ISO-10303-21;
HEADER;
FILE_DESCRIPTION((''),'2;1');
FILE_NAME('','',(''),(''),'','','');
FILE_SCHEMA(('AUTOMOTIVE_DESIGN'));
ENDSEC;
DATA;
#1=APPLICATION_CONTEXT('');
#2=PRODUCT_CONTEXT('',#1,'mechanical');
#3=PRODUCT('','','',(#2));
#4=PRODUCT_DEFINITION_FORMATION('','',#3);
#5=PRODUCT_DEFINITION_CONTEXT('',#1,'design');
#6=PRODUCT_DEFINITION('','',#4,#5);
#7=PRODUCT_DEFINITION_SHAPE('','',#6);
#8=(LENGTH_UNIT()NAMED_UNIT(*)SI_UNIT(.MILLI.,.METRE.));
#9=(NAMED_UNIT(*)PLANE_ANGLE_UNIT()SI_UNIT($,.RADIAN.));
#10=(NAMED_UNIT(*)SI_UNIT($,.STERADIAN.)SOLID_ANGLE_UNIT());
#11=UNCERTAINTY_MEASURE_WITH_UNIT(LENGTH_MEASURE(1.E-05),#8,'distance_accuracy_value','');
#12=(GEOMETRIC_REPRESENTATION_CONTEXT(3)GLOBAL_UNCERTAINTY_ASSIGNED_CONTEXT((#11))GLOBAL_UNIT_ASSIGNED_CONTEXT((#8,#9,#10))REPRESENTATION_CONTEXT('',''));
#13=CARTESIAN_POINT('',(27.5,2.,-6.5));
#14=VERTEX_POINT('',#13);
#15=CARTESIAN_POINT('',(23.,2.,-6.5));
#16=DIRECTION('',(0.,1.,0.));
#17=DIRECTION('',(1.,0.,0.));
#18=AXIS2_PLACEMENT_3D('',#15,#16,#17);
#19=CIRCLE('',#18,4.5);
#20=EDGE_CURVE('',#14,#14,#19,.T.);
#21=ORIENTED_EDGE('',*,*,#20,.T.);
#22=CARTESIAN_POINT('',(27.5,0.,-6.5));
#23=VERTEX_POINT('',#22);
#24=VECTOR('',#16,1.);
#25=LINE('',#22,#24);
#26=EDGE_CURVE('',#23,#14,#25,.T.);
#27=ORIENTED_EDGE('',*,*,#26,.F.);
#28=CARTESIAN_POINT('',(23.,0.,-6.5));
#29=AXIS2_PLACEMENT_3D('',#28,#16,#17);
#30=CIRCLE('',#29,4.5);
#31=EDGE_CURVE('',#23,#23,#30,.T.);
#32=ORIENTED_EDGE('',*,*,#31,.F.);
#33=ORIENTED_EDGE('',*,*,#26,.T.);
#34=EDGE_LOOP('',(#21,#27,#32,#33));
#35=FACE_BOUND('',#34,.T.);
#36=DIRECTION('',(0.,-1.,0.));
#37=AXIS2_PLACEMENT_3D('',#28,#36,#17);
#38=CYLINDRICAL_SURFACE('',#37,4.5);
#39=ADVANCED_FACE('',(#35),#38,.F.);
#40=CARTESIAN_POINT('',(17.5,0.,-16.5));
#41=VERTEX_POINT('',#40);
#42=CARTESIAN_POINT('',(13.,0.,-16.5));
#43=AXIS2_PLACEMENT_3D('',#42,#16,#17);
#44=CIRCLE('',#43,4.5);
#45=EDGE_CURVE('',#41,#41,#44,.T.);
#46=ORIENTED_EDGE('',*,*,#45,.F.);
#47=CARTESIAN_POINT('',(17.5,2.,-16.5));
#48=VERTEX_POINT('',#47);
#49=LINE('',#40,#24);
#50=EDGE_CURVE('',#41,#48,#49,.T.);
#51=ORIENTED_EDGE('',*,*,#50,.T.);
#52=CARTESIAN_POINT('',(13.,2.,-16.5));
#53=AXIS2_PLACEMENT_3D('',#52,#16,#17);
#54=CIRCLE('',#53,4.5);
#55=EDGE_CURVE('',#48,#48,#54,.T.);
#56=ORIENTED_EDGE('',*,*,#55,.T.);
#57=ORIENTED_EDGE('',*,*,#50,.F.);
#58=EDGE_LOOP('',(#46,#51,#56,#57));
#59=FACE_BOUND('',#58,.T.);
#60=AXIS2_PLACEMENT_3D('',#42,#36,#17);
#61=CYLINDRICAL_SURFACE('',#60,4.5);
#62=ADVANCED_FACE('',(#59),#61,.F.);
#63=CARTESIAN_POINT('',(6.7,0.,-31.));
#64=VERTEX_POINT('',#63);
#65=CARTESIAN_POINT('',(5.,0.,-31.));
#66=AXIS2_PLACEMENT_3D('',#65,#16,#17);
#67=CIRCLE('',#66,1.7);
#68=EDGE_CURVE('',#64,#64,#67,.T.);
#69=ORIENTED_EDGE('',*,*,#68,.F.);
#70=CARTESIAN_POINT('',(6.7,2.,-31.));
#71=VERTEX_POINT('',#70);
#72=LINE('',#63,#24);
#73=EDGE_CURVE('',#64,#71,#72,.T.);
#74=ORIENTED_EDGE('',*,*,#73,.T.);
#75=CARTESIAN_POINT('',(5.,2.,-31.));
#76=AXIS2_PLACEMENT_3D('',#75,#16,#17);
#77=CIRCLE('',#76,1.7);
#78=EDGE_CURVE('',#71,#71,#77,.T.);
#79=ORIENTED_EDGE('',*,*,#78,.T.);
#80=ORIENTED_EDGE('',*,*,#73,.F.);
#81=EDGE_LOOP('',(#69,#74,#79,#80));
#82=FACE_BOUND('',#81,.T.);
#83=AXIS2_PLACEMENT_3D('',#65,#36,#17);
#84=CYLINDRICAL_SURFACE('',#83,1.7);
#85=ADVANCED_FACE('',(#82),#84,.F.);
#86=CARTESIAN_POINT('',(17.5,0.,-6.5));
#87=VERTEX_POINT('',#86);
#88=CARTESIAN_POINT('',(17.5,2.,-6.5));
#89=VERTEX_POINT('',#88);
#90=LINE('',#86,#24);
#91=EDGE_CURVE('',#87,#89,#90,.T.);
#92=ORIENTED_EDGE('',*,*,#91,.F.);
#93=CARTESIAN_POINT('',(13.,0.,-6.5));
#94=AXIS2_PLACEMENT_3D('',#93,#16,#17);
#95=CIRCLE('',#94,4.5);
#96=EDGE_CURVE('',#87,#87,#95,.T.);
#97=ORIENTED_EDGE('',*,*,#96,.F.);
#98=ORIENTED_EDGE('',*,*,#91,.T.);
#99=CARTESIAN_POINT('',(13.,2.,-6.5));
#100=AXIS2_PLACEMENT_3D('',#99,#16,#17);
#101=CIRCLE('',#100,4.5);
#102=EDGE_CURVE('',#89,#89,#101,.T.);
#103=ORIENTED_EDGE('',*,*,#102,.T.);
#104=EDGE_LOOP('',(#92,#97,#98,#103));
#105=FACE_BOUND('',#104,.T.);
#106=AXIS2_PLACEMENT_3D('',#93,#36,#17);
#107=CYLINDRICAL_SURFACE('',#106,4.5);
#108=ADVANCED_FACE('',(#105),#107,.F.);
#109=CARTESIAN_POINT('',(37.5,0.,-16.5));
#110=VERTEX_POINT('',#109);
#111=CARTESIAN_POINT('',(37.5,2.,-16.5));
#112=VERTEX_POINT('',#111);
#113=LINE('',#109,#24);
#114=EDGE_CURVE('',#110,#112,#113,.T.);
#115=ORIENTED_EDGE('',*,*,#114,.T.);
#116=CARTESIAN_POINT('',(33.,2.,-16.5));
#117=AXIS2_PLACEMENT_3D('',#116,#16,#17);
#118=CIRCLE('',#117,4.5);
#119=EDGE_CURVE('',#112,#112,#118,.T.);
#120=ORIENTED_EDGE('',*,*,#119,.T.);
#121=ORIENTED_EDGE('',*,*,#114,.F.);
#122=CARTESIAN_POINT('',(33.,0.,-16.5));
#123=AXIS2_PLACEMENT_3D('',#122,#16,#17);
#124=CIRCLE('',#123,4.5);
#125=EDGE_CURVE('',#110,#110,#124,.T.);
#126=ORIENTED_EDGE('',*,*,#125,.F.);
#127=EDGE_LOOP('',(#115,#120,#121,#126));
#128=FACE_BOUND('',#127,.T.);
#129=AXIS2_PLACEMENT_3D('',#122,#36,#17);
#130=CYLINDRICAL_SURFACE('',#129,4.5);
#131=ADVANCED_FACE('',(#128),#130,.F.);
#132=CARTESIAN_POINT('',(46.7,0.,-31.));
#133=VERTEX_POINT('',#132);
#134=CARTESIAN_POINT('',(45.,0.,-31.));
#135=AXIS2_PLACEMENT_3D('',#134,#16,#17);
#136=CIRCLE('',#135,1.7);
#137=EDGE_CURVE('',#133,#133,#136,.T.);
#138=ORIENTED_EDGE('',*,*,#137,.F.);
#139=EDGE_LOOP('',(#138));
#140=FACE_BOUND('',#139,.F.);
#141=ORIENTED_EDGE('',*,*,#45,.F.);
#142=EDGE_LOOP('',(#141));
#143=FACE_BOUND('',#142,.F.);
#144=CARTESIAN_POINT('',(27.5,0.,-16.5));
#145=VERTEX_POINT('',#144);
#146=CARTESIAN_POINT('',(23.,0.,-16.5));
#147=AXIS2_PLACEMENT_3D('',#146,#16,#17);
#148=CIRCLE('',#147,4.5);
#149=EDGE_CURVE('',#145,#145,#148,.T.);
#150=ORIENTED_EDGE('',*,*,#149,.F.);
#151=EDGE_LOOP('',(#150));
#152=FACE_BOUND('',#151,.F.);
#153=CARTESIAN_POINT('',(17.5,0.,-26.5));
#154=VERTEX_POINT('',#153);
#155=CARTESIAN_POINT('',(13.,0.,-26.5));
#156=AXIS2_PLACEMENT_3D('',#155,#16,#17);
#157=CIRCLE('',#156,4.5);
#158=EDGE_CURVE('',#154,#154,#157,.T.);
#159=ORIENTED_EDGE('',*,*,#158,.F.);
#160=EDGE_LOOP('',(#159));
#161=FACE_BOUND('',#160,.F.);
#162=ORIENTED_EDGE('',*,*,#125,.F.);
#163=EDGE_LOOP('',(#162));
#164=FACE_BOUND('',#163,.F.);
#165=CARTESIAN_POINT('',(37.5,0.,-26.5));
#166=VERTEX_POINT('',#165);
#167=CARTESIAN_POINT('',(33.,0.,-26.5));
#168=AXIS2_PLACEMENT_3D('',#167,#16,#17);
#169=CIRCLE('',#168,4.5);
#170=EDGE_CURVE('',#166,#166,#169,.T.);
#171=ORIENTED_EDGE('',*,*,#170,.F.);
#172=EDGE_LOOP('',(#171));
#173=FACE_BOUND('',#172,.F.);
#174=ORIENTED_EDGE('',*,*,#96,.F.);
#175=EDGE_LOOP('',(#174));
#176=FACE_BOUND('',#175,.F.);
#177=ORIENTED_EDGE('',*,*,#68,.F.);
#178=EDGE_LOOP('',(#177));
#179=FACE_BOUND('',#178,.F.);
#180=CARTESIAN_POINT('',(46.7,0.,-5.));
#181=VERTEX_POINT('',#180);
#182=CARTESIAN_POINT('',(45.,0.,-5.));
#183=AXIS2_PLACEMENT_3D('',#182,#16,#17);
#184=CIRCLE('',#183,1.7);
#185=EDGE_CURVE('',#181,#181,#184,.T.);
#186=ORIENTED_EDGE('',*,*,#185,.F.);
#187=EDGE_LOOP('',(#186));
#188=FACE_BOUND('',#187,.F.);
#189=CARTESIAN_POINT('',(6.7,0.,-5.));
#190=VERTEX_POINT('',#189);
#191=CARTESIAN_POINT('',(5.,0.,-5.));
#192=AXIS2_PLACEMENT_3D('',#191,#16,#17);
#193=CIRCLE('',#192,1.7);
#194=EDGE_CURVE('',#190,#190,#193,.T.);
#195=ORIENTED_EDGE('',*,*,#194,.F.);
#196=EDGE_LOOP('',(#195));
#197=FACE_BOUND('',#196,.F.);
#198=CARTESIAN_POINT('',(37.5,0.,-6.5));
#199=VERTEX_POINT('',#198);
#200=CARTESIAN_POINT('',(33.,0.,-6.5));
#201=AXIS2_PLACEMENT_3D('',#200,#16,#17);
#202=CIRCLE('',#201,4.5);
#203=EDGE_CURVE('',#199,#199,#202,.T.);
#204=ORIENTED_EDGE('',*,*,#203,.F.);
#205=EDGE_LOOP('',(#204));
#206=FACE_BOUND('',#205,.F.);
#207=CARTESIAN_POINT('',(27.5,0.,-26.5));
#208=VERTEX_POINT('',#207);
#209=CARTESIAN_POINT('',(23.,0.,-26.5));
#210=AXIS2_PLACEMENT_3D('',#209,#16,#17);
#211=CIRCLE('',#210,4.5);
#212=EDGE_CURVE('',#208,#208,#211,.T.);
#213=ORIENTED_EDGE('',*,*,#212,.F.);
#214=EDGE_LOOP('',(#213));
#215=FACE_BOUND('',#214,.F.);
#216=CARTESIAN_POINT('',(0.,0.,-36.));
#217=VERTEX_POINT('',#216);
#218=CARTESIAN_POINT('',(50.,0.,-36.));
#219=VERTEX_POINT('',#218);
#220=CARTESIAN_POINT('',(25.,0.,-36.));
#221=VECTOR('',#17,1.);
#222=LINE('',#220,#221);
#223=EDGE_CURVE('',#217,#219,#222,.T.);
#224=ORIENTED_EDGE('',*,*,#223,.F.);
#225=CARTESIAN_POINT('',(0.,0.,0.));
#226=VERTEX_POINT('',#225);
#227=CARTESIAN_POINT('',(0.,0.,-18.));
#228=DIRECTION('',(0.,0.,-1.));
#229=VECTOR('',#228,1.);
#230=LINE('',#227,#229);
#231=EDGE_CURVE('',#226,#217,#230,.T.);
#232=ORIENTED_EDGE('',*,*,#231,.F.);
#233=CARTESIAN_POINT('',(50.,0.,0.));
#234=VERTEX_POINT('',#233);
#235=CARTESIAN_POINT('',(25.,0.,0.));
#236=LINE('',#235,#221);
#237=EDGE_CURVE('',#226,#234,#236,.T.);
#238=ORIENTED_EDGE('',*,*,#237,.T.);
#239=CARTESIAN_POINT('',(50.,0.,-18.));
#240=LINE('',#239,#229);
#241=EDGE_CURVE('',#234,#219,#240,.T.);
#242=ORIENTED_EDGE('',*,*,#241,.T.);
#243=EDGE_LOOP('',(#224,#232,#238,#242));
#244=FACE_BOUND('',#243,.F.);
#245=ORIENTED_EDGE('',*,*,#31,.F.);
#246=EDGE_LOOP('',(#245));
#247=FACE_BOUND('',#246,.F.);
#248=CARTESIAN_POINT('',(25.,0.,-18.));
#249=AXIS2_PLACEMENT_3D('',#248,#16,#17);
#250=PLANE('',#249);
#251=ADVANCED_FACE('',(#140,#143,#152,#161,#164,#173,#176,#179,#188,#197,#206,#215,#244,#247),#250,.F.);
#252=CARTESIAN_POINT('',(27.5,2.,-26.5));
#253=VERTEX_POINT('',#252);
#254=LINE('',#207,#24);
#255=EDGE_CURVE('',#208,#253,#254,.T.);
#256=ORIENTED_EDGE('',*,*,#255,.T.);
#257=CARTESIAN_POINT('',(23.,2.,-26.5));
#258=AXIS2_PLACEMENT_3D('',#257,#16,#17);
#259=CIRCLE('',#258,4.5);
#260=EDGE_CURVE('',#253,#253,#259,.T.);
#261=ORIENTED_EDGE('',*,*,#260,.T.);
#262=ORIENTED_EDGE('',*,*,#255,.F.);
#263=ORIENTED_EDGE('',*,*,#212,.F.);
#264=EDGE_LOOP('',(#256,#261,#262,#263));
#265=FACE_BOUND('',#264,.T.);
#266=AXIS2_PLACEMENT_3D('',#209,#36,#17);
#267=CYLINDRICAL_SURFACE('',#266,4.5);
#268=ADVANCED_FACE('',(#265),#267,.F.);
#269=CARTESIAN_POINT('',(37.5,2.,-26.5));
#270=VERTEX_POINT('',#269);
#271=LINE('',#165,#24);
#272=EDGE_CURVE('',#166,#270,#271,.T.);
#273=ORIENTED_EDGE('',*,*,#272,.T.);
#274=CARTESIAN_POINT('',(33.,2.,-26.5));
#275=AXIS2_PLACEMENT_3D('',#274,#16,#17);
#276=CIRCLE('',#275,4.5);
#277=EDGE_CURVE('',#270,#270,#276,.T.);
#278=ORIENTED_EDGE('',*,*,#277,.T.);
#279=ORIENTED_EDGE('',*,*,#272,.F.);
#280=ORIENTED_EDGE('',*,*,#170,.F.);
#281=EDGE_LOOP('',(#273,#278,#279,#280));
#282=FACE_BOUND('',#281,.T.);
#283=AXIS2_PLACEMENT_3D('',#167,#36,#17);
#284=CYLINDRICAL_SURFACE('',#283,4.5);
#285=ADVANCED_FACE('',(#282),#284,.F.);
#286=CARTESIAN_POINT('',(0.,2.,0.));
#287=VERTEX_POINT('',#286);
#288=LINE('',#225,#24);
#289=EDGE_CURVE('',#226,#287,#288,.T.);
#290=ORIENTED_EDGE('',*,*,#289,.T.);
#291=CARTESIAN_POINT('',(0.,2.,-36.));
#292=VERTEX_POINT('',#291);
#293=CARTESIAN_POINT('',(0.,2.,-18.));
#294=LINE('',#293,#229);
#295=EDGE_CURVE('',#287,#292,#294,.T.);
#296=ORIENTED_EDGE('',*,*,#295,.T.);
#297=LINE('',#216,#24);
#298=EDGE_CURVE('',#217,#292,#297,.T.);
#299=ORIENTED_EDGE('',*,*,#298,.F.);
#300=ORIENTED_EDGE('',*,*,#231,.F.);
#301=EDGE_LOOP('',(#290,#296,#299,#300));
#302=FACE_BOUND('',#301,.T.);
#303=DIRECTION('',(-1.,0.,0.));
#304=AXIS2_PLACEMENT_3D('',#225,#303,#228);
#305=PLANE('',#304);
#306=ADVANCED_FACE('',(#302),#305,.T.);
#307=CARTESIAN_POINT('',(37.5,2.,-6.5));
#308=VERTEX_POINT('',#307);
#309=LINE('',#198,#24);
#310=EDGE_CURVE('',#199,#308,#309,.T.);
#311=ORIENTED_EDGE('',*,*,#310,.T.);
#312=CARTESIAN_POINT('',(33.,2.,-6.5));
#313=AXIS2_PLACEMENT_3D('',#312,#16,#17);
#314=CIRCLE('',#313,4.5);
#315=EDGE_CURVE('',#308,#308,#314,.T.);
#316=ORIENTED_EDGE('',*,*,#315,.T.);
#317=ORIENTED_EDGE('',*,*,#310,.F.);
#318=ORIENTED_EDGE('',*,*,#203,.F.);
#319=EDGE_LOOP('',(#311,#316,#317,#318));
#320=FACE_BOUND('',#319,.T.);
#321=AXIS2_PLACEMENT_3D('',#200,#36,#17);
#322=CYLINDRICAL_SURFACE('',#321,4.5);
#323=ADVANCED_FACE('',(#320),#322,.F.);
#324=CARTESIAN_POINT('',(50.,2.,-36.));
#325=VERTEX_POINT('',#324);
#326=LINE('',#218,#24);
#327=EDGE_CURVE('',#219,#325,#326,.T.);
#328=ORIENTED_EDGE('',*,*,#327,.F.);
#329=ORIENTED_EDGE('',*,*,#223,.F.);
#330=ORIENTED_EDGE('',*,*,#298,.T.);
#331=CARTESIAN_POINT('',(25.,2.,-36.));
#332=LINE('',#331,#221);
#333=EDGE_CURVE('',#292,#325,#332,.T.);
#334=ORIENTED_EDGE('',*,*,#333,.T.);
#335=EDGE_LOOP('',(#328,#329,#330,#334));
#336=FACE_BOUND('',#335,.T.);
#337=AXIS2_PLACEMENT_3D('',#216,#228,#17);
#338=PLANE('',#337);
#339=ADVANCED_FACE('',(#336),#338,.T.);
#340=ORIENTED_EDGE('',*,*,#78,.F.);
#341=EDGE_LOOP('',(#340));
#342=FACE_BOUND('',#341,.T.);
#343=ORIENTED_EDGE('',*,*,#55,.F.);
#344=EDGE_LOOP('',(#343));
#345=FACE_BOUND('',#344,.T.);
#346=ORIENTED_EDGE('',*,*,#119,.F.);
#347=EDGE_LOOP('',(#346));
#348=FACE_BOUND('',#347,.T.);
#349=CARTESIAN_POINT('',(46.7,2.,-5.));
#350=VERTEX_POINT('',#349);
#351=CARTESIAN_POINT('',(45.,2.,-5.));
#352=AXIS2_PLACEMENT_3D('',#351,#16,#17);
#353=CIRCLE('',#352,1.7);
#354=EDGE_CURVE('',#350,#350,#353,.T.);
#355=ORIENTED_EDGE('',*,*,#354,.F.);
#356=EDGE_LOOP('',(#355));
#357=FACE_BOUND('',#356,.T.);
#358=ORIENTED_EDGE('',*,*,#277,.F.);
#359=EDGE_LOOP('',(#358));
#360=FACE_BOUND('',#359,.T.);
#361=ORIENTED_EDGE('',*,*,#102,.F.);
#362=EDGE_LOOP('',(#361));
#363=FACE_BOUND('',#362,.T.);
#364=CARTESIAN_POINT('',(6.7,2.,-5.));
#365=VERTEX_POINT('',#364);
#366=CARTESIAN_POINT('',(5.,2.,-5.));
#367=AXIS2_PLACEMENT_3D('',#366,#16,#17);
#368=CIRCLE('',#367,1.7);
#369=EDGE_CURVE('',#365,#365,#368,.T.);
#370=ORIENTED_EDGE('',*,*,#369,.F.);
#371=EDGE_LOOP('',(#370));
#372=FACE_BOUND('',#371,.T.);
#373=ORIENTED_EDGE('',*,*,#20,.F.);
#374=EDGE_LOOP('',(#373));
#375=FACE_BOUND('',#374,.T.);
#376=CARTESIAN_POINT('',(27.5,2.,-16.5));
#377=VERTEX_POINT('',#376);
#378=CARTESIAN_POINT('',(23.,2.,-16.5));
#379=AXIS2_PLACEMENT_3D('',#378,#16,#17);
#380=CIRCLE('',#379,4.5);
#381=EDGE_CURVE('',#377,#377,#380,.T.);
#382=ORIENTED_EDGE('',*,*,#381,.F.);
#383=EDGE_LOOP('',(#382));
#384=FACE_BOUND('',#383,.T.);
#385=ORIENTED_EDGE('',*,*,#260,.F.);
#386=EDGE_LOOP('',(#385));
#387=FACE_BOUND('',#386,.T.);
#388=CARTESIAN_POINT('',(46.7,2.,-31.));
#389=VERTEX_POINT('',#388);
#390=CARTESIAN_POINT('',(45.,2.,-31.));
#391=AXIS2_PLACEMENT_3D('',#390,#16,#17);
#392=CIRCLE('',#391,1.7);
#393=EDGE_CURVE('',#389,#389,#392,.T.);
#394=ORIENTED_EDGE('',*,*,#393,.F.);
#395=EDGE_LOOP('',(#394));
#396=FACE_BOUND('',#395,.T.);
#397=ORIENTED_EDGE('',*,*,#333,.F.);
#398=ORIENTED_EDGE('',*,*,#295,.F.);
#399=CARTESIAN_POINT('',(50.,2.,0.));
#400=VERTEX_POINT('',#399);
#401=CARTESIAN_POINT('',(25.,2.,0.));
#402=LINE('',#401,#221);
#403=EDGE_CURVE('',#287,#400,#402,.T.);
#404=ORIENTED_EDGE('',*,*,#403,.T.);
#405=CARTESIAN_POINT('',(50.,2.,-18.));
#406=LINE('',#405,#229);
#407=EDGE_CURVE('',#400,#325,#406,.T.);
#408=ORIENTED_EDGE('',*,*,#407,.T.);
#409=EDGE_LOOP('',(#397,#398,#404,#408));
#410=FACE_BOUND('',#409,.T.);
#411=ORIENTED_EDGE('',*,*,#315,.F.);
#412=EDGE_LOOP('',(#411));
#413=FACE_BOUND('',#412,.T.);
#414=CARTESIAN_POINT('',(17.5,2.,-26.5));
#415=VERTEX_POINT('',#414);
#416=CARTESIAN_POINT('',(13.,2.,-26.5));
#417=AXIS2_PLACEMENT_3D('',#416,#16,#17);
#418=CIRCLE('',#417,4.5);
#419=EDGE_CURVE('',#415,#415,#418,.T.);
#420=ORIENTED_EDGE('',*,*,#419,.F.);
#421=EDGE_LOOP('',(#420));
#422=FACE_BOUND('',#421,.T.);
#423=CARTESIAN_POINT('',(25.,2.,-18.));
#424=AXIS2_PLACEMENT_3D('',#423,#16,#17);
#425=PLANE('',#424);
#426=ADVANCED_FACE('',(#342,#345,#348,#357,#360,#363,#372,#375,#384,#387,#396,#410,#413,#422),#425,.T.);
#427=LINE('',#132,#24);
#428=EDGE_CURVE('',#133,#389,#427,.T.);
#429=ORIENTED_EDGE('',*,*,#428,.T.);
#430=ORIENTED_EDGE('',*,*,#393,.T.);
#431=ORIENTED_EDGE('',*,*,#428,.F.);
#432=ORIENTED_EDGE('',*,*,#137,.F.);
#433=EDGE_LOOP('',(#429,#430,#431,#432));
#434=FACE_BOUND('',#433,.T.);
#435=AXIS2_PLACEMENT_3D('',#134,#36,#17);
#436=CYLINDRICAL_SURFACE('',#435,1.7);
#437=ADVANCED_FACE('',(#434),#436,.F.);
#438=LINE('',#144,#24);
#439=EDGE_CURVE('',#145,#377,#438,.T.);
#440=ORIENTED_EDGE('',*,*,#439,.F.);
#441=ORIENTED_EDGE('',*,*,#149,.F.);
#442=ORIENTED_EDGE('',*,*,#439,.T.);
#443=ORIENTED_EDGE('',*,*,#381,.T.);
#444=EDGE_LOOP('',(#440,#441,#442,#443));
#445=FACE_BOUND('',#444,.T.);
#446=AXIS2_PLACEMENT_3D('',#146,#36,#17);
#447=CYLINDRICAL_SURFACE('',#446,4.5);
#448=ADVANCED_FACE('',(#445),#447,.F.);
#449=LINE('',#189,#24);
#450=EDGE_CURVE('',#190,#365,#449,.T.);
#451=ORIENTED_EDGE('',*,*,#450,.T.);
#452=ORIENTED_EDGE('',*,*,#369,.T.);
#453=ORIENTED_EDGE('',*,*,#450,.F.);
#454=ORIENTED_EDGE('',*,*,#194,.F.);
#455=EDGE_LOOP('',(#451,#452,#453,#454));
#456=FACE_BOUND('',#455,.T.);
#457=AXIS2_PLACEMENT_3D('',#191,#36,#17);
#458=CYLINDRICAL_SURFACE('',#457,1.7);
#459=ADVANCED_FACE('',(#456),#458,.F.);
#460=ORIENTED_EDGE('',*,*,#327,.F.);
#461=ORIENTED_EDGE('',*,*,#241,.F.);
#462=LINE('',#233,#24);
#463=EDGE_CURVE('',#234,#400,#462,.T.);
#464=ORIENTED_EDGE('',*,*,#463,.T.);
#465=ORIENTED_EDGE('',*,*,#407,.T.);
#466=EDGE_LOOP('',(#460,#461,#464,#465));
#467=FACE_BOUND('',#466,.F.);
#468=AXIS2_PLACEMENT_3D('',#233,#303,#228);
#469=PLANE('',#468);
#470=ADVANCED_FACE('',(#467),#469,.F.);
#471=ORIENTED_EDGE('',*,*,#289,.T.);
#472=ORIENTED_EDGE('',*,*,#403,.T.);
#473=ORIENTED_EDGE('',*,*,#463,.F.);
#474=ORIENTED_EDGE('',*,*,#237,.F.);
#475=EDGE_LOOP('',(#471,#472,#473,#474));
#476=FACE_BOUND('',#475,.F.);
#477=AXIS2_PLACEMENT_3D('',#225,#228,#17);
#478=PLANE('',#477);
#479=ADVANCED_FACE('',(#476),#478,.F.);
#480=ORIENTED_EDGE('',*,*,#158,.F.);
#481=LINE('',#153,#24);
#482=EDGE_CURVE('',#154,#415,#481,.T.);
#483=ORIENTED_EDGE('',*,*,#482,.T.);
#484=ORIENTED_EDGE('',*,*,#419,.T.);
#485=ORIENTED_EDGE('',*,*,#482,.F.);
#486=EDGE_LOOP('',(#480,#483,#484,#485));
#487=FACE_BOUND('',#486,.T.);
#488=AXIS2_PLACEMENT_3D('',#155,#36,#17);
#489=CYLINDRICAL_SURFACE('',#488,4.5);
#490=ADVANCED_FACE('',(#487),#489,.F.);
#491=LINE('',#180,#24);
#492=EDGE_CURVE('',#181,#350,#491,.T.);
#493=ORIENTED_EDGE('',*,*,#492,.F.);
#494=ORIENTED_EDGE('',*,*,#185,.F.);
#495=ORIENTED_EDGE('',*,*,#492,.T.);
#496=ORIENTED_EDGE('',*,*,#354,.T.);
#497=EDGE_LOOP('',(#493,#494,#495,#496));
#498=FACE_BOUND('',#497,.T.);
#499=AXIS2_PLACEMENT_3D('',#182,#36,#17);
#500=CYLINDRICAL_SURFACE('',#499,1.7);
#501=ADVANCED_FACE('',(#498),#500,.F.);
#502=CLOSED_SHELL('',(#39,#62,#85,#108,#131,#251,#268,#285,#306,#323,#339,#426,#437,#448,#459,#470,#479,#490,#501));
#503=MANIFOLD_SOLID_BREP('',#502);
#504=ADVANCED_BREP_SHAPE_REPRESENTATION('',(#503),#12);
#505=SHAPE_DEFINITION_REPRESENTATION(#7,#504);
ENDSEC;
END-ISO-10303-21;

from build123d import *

# Parameters (mm, degrees)
SKETCH1_W           = 50
SKETCH1_H           = 36
SKETCH1_R           = 4.5
SKETCH1_R_2         = 1.7
BOSS_EXTRUDE1_DEPTH = 2


with BuildPart() as part:
    # Sketch1 → Boss-Extrude1 (new body)
    with BuildSketch(Plane(origin=(0, 0, 0), x_dir=(1, 0, 0), z_dir=(0, 1, 0))):
        with Locations((25, 18)):
            Rectangle(SKETCH1_W, SKETCH1_H)
        with Locations((13, 6.5)):
            Circle(SKETCH1_R, mode=Mode.SUBTRACT)
        with Locations((5, 5)):
            Circle(SKETCH1_R_2, mode=Mode.SUBTRACT)
        with Locations((5, 31)):
            Circle(SKETCH1_R_2, mode=Mode.SUBTRACT)
        with Locations((45, 31)):
            Circle(SKETCH1_R_2, mode=Mode.SUBTRACT)
        with Locations((45, 5)):
            Circle(SKETCH1_R_2, mode=Mode.SUBTRACT)
        with Locations((23, 6.5)):
            Circle(SKETCH1_R, mode=Mode.SUBTRACT)
        with Locations((33, 6.5)):
            Circle(SKETCH1_R, mode=Mode.SUBTRACT)
        with Locations((23, 16.5)):
            Circle(SKETCH1_R, mode=Mode.SUBTRACT)
        with Locations((33, 16.5)):
            Circle(SKETCH1_R, mode=Mode.SUBTRACT)
        with Locations((23, 26.5)):
            Circle(SKETCH1_R, mode=Mode.SUBTRACT)
        with Locations((33, 26.5)):
            Circle(SKETCH1_R, mode=Mode.SUBTRACT)
        with Locations((13, 16.5)):
            Circle(SKETCH1_R, mode=Mode.SUBTRACT)
        with Locations((13, 26.5)):
            Circle(SKETCH1_R, mode=Mode.SUBTRACT)
    extrude(amount=BOSS_EXTRUDE1_DEPTH)


solid = part.part
